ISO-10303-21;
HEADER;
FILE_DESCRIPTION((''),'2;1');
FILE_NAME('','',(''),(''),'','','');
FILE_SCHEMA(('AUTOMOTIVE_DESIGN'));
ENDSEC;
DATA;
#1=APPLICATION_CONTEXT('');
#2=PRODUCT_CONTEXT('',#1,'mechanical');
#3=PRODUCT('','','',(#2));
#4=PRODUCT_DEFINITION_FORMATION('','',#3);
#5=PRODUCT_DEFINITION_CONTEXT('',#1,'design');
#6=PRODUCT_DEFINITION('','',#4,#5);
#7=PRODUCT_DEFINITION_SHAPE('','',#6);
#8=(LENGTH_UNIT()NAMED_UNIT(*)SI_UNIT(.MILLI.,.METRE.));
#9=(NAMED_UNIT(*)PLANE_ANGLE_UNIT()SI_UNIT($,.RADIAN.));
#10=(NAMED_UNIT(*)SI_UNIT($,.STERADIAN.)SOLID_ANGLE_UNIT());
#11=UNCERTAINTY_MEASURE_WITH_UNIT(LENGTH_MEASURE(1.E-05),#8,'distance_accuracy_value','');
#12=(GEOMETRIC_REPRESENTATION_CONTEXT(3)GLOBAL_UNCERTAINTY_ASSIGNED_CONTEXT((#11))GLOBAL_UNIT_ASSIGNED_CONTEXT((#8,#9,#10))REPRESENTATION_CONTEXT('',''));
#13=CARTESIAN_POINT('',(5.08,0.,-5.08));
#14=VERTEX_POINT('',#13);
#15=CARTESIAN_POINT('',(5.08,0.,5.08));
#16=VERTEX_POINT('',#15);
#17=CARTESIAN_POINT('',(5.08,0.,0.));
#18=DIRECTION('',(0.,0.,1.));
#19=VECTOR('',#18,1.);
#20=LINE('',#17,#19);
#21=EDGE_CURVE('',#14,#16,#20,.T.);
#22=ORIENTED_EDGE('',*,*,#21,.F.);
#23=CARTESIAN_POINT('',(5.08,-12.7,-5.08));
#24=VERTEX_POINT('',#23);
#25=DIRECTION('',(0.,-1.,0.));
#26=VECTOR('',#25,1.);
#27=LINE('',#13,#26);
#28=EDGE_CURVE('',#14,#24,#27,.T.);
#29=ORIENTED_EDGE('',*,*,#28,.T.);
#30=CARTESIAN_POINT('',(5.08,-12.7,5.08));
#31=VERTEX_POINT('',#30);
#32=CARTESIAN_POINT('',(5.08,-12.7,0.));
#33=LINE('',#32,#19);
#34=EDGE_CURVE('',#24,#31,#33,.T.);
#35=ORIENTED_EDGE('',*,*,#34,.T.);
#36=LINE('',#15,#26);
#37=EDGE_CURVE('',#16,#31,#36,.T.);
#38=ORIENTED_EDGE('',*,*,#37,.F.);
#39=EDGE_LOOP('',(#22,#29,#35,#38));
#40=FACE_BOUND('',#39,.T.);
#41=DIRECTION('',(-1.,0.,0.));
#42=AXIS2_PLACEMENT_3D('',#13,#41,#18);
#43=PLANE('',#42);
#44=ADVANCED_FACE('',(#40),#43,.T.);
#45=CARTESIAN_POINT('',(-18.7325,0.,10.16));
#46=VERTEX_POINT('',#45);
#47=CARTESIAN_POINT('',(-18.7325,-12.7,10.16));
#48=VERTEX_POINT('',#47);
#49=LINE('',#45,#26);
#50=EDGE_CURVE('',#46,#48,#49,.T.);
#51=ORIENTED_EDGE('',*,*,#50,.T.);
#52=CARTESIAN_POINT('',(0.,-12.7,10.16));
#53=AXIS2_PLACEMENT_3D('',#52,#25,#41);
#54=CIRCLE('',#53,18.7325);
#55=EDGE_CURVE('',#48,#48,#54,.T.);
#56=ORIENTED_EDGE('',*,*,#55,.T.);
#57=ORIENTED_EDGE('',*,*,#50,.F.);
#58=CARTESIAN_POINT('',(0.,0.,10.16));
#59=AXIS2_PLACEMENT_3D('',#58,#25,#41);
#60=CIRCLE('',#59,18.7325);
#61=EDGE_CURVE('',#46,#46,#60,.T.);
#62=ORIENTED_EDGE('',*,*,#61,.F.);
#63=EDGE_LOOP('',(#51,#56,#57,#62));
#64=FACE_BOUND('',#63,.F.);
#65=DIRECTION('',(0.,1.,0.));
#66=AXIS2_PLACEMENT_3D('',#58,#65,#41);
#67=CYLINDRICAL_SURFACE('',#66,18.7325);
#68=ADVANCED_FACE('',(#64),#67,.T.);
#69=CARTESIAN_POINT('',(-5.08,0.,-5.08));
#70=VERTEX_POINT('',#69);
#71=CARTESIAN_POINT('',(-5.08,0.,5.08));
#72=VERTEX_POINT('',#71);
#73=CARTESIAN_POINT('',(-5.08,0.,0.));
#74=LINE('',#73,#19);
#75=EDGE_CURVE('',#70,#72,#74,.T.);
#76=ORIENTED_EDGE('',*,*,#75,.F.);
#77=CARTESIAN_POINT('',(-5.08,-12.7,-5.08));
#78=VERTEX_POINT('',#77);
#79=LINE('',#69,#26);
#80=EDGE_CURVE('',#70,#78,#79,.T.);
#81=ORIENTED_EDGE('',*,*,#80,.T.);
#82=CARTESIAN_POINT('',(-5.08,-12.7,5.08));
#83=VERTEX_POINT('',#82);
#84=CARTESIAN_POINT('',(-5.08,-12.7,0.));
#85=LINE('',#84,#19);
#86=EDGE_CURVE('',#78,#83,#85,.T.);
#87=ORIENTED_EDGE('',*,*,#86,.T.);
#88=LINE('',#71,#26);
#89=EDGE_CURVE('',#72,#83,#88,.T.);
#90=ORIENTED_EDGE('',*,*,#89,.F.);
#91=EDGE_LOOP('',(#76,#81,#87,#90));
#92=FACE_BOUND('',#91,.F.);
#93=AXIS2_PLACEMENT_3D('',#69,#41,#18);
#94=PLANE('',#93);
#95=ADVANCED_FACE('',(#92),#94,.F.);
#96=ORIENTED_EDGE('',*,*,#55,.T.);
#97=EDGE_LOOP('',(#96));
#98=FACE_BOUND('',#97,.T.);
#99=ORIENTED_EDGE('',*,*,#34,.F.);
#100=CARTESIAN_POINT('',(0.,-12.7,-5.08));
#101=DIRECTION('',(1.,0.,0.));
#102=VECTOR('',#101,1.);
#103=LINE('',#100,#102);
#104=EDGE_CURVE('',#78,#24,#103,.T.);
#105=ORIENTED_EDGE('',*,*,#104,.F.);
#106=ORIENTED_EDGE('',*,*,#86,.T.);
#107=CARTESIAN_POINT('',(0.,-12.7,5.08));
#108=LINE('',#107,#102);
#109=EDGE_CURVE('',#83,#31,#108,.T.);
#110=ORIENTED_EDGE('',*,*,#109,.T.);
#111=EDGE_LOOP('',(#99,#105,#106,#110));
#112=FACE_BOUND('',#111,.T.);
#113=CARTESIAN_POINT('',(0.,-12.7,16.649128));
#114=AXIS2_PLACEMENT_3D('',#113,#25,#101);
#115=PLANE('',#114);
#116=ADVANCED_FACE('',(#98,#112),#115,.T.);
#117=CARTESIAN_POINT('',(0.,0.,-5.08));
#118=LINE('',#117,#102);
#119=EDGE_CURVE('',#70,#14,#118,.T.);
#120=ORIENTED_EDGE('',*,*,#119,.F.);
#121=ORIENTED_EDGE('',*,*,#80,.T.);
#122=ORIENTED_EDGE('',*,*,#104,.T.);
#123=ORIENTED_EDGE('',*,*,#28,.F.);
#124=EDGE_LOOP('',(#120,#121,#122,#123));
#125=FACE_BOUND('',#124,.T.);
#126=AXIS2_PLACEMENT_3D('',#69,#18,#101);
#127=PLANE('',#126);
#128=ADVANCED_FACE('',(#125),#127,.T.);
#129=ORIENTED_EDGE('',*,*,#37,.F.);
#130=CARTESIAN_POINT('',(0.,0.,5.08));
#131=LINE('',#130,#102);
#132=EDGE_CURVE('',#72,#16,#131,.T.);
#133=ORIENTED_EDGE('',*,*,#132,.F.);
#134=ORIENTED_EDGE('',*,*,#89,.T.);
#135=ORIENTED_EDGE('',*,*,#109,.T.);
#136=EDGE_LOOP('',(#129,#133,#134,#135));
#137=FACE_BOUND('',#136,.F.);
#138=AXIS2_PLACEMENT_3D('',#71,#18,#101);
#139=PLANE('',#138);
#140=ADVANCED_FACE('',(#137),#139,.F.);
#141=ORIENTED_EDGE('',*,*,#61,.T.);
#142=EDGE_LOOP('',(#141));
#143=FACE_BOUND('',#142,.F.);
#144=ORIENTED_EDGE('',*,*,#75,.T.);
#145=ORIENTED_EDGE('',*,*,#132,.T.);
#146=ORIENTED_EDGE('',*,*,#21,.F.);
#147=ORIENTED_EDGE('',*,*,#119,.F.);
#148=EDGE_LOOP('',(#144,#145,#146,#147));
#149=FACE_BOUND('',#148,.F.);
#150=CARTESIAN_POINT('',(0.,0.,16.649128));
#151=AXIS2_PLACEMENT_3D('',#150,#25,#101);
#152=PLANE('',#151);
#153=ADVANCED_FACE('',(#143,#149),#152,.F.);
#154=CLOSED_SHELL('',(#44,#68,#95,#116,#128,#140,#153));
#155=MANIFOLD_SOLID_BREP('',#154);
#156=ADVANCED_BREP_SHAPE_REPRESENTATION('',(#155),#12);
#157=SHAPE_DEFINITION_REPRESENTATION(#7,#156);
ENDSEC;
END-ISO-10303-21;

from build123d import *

# Parameters (mm, degrees)
F0_W     = 10.16
F0_H     = 10.16
F1_DEPTH = 12.7


with BuildPart() as f1:
    # F0 (on Front) → F1 (new body)
    with BuildSketch(Plane.XZ):
        with BuildLine():
            ThreePointArc((18.7325, 10.16), (0, 28.8925), (-18.7325, 10.16))
            Line((-18.7325, 10.16), (18.7325, 10.16))
        make_face()
        with BuildLine():
            Line((18.7325, 10.16), (-18.7325, 10.16))
            ThreePointArc((-18.7325, 10.16), (0, -8.5725), (18.7325, 10.16))
        make_face()
        Rectangle(F0_W, F0_H, mode=Mode.SUBTRACT)
    extrude(amount=F1_DEPTH)


solid = f1.part
